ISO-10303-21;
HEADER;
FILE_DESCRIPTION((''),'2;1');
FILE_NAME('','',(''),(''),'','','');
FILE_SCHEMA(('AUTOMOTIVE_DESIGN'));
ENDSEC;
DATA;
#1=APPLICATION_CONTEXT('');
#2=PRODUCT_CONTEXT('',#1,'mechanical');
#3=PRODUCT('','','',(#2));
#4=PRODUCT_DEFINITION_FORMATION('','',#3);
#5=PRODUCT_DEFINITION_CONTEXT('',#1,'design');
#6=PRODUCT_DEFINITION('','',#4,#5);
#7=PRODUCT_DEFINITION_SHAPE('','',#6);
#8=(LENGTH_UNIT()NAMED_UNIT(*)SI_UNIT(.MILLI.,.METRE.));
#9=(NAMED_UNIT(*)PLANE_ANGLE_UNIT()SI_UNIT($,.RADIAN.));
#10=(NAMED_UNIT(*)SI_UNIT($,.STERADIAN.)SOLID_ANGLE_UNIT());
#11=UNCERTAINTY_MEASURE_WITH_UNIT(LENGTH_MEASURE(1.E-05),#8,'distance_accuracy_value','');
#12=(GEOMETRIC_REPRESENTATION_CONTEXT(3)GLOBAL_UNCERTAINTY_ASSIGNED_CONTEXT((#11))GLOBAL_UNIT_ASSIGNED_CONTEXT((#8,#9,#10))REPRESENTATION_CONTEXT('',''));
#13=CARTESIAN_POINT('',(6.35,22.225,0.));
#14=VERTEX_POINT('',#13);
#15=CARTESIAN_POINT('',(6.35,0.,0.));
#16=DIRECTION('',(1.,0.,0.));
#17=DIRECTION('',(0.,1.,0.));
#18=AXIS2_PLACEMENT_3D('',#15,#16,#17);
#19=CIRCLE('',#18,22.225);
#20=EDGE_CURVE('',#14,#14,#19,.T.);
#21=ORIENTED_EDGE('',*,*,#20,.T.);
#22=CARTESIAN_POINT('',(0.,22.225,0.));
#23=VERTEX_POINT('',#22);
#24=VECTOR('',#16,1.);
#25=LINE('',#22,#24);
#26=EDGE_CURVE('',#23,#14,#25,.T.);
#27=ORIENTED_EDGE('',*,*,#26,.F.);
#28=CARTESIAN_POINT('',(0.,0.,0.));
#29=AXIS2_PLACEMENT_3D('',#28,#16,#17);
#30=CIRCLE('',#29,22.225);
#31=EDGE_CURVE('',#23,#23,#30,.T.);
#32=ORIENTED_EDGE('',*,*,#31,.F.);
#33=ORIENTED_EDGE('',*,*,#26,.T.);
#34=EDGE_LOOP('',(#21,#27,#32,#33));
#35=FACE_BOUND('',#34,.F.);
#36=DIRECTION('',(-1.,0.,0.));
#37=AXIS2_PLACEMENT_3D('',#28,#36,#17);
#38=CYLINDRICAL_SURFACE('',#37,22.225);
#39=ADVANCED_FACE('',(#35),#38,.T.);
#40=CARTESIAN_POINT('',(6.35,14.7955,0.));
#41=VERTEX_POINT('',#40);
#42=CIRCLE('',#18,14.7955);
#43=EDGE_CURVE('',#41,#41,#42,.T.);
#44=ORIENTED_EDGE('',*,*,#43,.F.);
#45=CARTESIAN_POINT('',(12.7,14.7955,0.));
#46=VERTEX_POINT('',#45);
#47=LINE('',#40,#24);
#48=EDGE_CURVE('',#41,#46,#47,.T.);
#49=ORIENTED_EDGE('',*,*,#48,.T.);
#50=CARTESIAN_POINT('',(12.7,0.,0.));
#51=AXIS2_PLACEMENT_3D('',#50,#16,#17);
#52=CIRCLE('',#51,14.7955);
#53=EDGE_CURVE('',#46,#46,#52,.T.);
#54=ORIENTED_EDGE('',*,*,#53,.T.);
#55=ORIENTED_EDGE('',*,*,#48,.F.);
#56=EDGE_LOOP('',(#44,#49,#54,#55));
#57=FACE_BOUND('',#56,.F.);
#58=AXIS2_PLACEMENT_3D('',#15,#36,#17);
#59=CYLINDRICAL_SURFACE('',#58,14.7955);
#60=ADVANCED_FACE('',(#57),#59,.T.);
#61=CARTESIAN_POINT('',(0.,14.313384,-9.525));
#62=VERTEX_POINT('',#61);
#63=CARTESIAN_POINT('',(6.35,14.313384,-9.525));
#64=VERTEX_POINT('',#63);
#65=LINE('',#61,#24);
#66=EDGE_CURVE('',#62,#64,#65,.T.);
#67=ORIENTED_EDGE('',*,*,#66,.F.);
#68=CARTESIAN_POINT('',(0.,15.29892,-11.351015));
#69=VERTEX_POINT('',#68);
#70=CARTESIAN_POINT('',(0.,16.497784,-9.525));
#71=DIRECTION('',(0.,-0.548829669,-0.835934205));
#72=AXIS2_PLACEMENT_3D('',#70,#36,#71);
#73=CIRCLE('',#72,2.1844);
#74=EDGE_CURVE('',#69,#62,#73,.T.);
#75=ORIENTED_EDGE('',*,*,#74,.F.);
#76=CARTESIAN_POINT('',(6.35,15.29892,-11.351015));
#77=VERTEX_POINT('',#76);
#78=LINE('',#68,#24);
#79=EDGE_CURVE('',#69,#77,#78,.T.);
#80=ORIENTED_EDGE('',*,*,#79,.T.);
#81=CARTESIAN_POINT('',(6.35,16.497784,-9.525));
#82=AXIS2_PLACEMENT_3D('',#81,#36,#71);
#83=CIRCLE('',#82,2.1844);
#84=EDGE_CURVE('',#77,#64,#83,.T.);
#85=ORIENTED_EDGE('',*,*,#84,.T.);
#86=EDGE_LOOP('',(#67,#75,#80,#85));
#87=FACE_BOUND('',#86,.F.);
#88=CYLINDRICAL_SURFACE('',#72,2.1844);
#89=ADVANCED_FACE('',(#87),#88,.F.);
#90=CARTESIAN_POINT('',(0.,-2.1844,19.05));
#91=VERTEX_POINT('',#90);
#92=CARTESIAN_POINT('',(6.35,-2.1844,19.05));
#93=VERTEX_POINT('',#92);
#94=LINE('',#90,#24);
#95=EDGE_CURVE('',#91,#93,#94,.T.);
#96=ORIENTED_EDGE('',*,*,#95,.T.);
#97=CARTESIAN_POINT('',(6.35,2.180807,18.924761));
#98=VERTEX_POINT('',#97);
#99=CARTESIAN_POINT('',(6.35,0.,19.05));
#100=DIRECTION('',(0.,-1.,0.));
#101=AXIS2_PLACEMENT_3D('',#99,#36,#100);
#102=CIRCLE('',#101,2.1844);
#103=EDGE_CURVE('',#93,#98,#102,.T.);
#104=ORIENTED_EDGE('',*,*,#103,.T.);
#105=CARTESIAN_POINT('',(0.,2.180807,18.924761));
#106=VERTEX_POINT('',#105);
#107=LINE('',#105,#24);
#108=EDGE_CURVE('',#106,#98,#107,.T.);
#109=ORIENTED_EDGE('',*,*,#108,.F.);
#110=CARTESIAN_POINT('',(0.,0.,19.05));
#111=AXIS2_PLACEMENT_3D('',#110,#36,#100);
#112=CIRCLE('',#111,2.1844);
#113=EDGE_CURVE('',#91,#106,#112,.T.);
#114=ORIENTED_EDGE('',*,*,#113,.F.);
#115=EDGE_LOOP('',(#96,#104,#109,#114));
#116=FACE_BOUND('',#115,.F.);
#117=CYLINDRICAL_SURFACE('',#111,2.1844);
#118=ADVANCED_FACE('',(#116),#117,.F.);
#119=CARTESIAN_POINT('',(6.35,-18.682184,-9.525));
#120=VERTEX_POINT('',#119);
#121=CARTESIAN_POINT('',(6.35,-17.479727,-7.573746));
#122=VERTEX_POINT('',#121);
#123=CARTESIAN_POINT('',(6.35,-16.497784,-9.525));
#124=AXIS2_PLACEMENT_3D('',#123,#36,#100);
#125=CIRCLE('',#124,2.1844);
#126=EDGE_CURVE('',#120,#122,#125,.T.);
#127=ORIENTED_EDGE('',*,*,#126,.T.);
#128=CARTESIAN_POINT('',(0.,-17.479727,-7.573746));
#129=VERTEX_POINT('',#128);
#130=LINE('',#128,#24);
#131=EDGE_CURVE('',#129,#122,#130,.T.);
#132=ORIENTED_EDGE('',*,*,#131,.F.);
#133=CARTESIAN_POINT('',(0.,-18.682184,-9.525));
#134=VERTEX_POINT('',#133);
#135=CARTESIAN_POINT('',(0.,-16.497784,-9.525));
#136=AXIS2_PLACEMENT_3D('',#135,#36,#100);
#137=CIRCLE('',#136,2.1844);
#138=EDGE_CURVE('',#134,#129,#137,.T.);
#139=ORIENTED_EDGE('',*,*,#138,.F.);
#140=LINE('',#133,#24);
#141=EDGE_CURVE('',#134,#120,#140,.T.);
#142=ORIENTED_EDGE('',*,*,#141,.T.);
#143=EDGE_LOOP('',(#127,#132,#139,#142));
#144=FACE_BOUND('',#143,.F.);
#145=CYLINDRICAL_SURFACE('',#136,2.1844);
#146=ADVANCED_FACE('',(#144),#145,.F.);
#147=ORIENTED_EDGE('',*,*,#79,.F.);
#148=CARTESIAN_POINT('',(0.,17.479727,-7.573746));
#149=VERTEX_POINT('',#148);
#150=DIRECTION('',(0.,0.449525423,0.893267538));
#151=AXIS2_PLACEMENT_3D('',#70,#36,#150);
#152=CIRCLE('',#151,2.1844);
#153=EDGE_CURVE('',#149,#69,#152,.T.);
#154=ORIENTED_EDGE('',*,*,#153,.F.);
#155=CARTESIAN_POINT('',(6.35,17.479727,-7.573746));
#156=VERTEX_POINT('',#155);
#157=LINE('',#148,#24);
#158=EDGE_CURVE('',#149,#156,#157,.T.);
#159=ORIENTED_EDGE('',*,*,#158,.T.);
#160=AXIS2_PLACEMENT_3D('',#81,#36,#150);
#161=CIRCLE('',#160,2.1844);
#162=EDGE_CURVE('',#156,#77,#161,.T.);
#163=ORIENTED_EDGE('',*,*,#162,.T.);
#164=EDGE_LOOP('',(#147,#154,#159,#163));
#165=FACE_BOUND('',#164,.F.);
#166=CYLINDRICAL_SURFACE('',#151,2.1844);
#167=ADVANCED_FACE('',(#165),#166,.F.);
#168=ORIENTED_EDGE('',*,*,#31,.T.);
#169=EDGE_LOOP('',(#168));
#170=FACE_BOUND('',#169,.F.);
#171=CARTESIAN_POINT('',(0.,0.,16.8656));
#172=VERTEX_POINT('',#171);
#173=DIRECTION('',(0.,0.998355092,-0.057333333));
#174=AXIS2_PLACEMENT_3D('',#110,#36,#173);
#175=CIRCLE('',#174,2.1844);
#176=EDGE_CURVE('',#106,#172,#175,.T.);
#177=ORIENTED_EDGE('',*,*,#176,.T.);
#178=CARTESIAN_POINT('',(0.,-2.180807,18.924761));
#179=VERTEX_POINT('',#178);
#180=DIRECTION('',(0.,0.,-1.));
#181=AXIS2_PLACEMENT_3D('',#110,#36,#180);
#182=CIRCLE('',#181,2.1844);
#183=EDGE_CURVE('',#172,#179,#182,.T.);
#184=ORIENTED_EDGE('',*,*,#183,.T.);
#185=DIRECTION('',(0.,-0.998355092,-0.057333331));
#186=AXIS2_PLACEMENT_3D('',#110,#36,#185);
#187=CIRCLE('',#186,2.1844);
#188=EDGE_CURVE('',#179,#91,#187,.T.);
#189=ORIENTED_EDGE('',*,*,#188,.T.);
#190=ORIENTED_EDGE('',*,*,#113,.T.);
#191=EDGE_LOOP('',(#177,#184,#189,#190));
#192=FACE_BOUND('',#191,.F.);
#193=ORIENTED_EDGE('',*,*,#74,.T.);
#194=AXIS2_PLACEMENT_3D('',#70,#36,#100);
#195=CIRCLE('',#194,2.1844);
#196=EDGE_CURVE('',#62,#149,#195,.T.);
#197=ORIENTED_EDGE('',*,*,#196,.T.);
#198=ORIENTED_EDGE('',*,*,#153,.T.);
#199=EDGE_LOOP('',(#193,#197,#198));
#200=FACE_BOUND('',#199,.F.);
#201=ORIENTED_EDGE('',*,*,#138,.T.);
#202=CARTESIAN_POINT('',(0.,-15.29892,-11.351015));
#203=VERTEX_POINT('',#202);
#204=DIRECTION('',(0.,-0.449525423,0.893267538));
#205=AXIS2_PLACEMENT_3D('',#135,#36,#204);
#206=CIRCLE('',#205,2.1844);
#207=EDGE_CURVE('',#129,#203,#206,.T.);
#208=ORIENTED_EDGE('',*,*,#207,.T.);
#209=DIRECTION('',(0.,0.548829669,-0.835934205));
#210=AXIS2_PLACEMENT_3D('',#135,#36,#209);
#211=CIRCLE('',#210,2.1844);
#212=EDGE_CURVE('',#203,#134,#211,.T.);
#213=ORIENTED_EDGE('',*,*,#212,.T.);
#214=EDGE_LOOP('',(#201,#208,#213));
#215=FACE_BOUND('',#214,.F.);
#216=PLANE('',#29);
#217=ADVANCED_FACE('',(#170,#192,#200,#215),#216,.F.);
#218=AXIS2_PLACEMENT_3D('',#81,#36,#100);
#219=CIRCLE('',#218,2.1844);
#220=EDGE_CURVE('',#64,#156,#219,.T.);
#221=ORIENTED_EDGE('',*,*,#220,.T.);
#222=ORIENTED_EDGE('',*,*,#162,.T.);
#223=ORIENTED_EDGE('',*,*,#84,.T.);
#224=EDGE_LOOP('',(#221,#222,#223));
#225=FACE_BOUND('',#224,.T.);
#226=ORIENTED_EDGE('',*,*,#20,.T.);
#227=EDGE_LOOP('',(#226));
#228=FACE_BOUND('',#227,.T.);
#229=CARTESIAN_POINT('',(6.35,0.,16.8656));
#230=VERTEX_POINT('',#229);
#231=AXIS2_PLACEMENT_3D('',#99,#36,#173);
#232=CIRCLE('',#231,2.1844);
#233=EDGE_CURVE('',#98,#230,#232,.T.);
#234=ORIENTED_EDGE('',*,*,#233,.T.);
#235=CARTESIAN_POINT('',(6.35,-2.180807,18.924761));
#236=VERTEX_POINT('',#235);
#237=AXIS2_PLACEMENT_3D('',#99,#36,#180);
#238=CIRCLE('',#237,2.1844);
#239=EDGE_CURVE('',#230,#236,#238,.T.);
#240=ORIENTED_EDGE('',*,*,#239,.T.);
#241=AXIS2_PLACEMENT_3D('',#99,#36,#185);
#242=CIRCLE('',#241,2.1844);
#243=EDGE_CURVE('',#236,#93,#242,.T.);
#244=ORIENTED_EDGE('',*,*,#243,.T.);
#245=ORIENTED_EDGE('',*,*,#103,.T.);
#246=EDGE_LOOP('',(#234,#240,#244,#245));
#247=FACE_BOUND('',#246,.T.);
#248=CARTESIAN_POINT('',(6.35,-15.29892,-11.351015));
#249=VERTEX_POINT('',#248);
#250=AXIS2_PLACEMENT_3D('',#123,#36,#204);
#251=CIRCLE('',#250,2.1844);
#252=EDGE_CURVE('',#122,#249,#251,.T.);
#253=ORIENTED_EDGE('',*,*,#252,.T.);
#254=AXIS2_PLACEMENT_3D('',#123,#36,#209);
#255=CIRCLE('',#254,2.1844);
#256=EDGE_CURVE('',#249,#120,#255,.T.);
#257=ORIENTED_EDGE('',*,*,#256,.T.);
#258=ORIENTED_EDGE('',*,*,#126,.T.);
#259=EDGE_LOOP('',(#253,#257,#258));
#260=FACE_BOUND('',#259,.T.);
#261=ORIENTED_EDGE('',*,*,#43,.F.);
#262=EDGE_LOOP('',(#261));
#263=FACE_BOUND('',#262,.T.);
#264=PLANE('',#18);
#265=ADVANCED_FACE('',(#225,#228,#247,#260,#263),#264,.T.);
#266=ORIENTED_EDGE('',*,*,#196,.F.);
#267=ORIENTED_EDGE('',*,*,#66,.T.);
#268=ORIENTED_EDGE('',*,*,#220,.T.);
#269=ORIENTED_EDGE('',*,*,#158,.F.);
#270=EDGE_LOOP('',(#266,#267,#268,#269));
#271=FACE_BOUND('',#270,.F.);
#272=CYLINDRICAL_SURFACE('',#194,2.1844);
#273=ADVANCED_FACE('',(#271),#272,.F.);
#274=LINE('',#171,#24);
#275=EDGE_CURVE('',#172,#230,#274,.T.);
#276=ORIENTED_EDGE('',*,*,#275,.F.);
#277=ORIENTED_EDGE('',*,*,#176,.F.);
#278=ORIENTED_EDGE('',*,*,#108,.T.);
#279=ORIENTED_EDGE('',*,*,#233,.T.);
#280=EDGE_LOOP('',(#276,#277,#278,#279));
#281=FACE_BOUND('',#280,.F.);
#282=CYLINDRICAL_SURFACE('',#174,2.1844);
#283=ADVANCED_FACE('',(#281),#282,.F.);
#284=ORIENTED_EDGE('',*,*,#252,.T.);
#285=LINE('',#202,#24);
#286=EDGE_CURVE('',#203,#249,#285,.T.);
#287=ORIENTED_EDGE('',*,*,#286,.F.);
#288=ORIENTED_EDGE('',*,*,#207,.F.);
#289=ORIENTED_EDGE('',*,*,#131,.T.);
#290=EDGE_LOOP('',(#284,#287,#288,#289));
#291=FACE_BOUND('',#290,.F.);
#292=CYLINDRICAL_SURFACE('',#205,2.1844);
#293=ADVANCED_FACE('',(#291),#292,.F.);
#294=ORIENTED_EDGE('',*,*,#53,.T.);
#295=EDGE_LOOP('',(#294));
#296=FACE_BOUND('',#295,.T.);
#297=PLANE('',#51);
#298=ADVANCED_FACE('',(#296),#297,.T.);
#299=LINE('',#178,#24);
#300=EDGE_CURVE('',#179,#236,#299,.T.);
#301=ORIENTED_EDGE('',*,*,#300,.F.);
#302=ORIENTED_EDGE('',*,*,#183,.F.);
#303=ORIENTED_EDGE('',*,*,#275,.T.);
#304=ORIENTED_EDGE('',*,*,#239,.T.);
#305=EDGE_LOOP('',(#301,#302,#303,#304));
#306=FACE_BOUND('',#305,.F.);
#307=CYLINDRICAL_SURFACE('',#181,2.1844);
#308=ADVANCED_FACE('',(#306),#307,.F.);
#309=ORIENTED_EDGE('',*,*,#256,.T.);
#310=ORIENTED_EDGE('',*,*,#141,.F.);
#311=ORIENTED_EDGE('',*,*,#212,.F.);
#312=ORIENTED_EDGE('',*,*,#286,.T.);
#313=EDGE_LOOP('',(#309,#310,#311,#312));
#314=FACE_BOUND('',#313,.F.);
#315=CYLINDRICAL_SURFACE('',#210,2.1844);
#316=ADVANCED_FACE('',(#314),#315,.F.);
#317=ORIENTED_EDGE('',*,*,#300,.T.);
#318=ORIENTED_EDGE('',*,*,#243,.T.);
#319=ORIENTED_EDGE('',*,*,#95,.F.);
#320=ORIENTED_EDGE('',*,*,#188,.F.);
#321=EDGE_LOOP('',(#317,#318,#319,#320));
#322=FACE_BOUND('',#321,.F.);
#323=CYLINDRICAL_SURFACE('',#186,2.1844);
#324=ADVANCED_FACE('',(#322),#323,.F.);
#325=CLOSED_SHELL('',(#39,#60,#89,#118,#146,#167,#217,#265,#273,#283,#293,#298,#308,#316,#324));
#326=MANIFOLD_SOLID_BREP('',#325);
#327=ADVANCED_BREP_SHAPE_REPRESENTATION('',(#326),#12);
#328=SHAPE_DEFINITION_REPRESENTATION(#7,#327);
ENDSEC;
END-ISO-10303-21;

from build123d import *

# Parameters (mm, degrees)
F0_R     = 22.225
F1_DEPTH = 6.35
F2_R     = 14.7955
F3_DEPTH = 6.35
F5_DEPTH = 25.4


with BuildPart() as f1:
    # F0 (on Right) → F1 (new body)
    with BuildSketch(Plane.YZ):
        Circle(F0_R)
    extrude(amount=F1_DEPTH)

    # F2 (on face) → F3 (join)
    with BuildSketch(Plane.YZ.offset(6.35)):
        Circle(F2_R)
    extrude(amount=F3_DEPTH)

    # F4 (on face) → F5 (cut)
    with BuildSketch(Plane(origin=(0, 0, 0), x_dir=(0, -1, 0), z_dir=(-1, 0, 0))):
        with BuildLine():
            ThreePointArc((-17.4797272753, -7.57374639), (-16.4977839421, -9.525), (-15.2989204133, -11.3510146766))
            ThreePointArc((-15.2989204133, -11.3510146766), (-14.5754935306, -10.5624984018), (-14.3133839421, -9.525))
            ThreePointArc((-14.3133839421, -9.525), (-15.3517808132, -7.6653548219), (-17.4797272753, -7.57374639))
        make_face()
        with BuildLine():
            ThreePointArc((-17.4797272753, -7.57374639), (-18.3895298341, -10.6172), (-15.2989204133, -11.3510146766))
            ThreePointArc((-15.2989204133, -11.3510146766), (-16.4977839421, -9.525), (-17.4797272753, -7.57374639))
        make_face()
        with BuildLine():
            ThreePointArc((15.2989204133, -11.3510146766), (16.4977839421, -9.525), (17.4797272753, -7.57374639))
            ThreePointArc((17.4797272753, -7.57374639), (14.6060380501, -8.4328), (15.2989204133, -11.3510146766))
        make_face()
        with BuildLine():
            ThreePointArc((18.6821839421, -9.525), (18.3574291202, -8.3789968711), (17.4797272753, -7.57374639))
            ThreePointArc((17.4797272753, -7.57374639), (16.4977839421, -9.525), (15.2989204133, -11.3510146766))
            ThreePointArc((15.2989204133, -11.3510146766), (17.5352823439, -11.4472904115), (18.6821839421, -9.525))
        make_face()
        with BuildLine():
            ThreePointArc((0, 19.05), (1.0922, 19.0186644946), (2.1808068621, 18.9247610667))
            ThreePointArc((2.1808068621, 18.9247610667), (2.1835015307, 18.9873547666), (2.1844, 19.05))
            ThreePointArc((2.1844, 19.05), (-0.0626452334, 21.2335015307), (-2.1808068621, 18.9247610667))
            ThreePointArc((-2.1808068621, 18.9247610667), (-1.0922, 19.0186644946), (0, 19.05))
        make_face()
        with BuildLine():
            ThreePointArc((0, 16.8656), (1.4996718698, 17.4617343915), (2.1808068621, 18.9247610667))
            ThreePointArc((2.1808068621, 18.9247610667), (1.0922, 19.0186644946), (0, 19.05))
            Line((0, 19.05), (0, 16.8656))
        make_face()
        with BuildLine():
            Line((0, 16.8656), (0, 19.05))
            ThreePointArc((0, 19.05), (-1.0922, 19.0186644946), (-2.1808068621, 18.9247610667))
            ThreePointArc((-2.1808068621, 18.9247610667), (-1.4996718698, 17.4617343915), (0, 16.8656))
        make_face()
    extrude(amount=-F5_DEPTH, mode=Mode.SUBTRACT)


solid = f1.part
